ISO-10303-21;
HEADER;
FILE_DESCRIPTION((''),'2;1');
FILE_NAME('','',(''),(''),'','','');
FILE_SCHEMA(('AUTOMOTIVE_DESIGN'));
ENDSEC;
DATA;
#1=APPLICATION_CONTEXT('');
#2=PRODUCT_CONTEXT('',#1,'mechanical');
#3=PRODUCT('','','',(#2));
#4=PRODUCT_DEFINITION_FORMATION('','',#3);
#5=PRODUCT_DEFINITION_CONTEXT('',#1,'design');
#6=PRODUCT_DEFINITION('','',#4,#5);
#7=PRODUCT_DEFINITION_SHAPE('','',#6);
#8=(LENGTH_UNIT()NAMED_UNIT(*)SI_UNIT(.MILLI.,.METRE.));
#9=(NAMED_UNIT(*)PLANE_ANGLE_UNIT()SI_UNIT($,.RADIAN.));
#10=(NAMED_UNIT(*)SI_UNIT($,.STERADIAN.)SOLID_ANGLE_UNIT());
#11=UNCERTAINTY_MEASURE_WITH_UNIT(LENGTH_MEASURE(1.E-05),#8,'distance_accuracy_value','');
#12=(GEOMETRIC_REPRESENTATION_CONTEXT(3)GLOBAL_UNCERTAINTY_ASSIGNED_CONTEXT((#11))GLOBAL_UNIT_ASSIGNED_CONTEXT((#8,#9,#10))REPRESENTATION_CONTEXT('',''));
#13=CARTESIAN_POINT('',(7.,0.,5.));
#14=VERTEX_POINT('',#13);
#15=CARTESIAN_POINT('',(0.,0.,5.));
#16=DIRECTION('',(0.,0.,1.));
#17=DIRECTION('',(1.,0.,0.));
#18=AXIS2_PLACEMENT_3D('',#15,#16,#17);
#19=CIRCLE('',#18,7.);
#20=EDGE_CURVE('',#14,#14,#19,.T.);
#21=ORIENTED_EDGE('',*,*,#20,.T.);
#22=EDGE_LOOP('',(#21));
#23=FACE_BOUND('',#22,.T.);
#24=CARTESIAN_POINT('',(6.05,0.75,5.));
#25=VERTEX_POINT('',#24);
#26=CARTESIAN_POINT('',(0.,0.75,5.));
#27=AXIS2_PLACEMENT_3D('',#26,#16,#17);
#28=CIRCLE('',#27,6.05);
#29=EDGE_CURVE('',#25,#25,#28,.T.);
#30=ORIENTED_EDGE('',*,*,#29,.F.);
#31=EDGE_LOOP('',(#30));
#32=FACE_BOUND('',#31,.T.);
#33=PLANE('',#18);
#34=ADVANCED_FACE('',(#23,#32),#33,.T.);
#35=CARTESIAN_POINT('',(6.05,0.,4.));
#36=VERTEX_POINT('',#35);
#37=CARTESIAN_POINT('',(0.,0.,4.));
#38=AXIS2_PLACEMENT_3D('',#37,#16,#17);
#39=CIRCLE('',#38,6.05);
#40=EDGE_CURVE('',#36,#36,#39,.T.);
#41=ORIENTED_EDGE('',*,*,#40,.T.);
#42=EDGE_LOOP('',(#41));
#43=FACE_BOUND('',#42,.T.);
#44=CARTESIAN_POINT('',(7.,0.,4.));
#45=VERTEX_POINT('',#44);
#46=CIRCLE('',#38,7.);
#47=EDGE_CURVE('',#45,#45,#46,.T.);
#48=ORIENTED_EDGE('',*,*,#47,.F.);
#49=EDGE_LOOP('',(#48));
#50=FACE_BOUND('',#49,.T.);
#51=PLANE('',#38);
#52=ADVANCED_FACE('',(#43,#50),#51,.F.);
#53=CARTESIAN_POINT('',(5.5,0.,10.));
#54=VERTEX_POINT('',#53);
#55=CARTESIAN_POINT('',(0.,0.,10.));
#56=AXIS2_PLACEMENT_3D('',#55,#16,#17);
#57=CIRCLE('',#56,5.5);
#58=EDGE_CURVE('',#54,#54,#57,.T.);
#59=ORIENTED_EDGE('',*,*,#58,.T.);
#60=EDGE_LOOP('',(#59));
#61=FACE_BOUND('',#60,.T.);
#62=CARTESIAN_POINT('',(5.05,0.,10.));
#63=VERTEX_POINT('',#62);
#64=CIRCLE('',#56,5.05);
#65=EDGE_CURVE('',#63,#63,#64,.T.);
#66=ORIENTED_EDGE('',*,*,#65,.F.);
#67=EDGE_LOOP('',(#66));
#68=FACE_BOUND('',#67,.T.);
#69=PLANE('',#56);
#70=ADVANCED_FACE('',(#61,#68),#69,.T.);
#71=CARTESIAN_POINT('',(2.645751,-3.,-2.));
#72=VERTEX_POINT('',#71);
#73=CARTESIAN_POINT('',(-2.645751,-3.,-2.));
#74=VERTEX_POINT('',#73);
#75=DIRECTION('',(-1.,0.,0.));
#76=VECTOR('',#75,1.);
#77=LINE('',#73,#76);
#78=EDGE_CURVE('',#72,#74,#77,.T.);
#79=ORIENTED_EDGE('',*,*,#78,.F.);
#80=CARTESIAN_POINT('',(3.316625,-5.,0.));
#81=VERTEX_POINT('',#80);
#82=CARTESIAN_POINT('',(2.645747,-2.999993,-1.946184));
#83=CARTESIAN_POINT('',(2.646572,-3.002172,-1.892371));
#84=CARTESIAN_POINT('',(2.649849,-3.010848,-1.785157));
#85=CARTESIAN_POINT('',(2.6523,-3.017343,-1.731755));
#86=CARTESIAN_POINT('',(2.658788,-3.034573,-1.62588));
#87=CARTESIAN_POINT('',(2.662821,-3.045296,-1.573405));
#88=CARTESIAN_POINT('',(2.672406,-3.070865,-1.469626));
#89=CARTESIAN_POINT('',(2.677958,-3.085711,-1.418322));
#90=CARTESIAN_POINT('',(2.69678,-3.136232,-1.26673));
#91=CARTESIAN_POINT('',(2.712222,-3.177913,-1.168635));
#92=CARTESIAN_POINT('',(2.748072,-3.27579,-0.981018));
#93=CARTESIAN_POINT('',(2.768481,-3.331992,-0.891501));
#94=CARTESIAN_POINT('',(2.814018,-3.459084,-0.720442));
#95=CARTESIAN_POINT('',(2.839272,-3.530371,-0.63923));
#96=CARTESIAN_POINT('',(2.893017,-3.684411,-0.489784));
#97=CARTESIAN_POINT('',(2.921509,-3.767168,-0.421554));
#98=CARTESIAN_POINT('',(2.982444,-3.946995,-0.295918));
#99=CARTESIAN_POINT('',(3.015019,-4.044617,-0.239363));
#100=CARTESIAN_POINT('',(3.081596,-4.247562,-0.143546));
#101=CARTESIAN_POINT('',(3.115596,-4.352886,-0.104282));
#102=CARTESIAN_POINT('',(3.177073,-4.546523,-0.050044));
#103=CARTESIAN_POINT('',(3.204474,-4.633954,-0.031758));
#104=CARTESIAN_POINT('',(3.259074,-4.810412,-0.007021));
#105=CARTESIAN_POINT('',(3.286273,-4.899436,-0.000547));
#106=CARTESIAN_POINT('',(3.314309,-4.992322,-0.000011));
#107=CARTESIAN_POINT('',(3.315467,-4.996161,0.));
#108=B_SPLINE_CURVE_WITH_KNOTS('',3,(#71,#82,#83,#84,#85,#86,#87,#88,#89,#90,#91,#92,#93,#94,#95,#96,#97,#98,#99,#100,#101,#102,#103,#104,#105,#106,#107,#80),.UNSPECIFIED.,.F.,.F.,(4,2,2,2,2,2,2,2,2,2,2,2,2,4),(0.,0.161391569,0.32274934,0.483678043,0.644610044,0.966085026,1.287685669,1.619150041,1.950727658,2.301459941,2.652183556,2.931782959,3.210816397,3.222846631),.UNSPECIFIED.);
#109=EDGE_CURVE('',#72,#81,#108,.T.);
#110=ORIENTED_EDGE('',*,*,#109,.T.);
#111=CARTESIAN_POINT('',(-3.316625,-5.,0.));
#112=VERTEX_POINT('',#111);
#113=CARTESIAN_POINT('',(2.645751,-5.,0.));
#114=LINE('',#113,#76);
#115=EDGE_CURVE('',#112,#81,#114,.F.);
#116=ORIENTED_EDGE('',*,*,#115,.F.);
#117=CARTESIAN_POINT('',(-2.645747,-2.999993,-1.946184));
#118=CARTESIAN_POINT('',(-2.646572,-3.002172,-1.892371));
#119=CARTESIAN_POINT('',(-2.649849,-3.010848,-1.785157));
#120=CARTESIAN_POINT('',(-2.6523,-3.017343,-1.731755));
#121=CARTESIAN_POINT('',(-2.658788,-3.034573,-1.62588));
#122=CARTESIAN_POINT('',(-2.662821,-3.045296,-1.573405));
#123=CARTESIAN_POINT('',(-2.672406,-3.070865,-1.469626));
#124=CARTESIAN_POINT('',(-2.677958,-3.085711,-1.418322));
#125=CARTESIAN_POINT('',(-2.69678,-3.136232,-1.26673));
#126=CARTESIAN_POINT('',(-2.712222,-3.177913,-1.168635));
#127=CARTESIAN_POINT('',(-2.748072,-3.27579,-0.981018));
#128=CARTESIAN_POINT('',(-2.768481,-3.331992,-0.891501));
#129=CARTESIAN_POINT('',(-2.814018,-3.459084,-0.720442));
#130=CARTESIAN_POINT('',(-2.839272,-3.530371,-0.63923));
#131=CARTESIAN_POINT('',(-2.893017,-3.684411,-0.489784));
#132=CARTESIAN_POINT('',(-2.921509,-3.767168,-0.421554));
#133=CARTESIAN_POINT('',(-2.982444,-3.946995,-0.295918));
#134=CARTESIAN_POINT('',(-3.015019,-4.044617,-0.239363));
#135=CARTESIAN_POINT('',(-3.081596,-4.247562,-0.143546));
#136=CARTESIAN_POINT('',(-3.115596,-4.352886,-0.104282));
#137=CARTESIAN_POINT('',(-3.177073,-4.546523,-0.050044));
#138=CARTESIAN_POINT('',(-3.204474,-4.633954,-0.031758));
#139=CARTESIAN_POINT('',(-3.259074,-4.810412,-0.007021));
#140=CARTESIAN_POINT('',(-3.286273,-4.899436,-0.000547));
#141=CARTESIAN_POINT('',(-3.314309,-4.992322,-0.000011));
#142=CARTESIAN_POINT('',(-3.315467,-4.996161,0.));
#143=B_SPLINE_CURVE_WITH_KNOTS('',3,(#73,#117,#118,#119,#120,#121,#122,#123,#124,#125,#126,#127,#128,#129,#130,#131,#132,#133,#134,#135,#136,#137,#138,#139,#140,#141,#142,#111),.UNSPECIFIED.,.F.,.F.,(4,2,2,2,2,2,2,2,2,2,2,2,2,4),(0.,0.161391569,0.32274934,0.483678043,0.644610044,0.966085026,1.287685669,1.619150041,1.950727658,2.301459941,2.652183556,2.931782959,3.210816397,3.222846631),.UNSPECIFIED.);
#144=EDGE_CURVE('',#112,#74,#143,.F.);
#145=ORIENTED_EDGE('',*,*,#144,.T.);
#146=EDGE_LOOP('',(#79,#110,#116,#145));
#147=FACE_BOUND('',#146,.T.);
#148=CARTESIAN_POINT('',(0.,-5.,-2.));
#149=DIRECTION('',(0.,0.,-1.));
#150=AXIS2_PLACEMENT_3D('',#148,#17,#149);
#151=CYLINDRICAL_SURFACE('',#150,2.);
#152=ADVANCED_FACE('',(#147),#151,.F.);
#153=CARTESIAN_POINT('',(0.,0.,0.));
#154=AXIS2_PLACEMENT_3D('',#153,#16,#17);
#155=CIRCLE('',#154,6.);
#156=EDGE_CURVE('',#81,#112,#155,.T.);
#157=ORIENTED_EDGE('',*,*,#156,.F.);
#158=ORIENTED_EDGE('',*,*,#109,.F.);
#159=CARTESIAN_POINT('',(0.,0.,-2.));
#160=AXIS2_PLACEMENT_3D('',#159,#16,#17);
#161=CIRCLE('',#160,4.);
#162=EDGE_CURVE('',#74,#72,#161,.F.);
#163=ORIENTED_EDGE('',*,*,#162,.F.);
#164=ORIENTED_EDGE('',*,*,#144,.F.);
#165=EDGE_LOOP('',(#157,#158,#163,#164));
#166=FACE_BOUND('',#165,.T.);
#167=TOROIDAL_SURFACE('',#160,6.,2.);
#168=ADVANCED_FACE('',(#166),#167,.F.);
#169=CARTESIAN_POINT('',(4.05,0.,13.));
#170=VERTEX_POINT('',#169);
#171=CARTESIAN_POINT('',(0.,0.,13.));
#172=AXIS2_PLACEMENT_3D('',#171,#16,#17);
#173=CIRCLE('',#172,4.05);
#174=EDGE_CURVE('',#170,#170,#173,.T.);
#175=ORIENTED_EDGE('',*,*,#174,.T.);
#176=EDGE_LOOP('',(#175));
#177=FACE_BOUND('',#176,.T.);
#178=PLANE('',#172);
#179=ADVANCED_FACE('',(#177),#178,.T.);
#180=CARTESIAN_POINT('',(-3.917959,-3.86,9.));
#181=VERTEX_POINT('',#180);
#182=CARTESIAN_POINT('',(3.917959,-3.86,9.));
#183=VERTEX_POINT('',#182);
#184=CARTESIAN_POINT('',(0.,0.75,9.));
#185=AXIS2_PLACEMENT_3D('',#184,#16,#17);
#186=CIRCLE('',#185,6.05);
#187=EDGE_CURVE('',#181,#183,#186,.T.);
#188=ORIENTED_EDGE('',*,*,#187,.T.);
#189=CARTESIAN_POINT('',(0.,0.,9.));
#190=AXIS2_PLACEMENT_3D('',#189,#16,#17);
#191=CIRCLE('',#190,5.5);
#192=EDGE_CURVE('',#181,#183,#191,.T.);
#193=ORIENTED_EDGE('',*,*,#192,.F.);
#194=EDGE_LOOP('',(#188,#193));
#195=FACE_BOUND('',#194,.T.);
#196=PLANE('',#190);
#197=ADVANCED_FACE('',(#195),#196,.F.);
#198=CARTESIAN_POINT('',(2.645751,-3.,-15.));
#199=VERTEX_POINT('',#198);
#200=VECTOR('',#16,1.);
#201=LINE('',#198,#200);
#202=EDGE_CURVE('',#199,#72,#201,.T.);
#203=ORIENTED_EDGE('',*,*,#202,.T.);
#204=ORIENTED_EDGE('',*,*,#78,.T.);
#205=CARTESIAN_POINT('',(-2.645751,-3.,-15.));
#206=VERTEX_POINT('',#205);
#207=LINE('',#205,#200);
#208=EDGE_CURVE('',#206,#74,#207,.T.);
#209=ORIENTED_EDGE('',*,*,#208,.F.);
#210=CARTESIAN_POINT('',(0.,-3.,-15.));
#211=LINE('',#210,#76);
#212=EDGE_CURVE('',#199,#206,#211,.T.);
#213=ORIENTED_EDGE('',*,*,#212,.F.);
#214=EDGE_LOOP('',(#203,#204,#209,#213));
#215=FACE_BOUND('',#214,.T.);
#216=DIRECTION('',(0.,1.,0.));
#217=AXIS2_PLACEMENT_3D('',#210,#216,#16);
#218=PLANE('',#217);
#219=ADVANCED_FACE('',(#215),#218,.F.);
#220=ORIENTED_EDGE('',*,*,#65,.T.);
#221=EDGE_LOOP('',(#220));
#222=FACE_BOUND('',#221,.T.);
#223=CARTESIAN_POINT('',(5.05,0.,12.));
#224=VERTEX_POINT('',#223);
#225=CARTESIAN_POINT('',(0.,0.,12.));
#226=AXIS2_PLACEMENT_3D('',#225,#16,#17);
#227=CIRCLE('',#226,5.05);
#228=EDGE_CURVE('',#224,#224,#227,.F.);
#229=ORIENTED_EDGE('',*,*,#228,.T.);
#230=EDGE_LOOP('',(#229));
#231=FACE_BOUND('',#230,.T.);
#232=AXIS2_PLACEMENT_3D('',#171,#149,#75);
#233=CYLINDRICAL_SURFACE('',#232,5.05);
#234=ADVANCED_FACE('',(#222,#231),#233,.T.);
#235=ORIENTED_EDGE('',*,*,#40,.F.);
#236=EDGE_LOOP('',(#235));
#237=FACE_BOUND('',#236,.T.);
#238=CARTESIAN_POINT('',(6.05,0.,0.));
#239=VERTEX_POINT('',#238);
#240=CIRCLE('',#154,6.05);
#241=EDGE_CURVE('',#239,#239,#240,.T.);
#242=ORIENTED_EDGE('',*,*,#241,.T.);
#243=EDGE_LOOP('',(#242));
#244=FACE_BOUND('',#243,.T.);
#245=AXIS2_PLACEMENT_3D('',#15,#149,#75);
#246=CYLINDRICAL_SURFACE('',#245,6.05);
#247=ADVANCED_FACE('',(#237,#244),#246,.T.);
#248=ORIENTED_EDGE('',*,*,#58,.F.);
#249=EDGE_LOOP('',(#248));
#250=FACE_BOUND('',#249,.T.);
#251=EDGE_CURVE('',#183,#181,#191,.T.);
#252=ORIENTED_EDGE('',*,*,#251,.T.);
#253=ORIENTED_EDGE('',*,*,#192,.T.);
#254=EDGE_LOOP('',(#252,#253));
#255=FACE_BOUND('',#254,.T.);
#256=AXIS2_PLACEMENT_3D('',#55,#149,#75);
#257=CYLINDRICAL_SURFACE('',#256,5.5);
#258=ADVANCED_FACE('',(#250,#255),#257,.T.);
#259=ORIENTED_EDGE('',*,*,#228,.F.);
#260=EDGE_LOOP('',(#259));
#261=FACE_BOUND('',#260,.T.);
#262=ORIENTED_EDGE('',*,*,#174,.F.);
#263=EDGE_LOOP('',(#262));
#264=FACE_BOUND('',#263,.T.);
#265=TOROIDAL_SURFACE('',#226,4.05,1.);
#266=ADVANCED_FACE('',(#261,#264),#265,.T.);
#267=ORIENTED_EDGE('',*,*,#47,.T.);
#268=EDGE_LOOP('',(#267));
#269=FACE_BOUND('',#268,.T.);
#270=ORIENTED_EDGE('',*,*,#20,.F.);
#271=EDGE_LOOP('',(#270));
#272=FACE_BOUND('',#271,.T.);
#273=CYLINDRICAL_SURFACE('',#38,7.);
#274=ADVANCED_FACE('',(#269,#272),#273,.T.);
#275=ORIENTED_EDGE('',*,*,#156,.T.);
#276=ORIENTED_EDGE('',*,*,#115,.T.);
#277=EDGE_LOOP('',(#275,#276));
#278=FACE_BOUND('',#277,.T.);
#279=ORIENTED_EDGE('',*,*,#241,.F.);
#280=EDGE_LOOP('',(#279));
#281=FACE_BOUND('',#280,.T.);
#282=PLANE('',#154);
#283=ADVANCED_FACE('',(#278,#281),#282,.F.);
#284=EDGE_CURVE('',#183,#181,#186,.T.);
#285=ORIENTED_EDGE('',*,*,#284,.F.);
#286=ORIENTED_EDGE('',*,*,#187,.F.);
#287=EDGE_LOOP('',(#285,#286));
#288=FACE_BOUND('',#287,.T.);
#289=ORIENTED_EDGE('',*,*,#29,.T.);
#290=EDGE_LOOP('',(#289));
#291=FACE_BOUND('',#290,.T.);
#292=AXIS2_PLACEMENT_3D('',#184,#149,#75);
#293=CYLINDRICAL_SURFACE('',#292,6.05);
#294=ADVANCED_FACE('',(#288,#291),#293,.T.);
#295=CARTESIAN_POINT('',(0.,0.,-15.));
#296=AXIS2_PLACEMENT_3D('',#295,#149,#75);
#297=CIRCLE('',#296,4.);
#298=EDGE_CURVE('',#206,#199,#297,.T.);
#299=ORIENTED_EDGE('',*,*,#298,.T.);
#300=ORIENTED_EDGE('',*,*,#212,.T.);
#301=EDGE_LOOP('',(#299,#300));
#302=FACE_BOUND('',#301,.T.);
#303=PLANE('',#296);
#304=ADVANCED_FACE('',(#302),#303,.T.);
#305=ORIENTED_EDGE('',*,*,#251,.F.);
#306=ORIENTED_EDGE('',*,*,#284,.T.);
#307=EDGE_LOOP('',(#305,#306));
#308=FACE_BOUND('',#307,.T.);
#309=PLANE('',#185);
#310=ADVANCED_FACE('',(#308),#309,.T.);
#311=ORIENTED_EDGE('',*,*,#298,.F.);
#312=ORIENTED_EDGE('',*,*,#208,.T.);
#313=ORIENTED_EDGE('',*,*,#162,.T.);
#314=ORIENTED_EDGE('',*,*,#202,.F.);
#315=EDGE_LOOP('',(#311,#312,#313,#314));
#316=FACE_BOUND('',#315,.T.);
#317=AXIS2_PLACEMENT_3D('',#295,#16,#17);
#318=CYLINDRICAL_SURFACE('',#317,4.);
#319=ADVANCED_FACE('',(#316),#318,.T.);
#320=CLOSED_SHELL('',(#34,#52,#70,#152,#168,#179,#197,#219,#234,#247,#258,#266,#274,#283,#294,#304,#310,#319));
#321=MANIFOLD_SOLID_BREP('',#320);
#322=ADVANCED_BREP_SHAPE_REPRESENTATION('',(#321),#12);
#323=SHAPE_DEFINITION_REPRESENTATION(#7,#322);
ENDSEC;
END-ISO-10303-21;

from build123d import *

# Parameters (mm, degrees)
SKETCH_1_R      = 6.05
EXTRUDE_1_DEPTH = 5
SKETCH_7_R      = 7
EXTRUDE_6_DEPTH = 1
SKETCH_2_R      = 6.05
EXTRUDE_2_DEPTH = 4
EXTRUDE_3_DEPTH = 15
FILLET_1_R      = 2
SKETCH_5_R      = 5.5
EXTRUDE_4_DEPTH = 1
SKETCH_6_R      = 5.05
EXTRUDE_5_DEPTH = 3
FILLET_2_R      = 1


with BuildPart() as part:
    # 草图1 → 凸台-拉伸1 (new body)
    with BuildSketch(Plane.XY):
        Circle(SKETCH_1_R)
    extrude(amount=EXTRUDE_1_DEPTH)

    # 草图7 → 凸台-拉伸6 (add)
    with BuildSketch(Plane.XY.offset(5)):
        Circle(SKETCH_7_R)
    extrude(amount=-EXTRUDE_6_DEPTH)

    # 草图2 → 凸台-拉伸2 (add)
    with BuildSketch(Plane.XY.offset(5)):
        with Locations((0, 0.75)):
            Circle(SKETCH_2_R)
    extrude(amount=EXTRUDE_2_DEPTH)

    # 草图4 → 凸台-拉伸3 (add)
    with BuildSketch(Plane(origin=(0, 0, 0), x_dir=(-1, 0, 0), z_dir=(0, 0, -1))):
        with BuildLine():
            ThreePointArc((4, 0), (-1.645751311, 3.645751311), (-2.645751311, -3))
            Line((-2.645751311, -3), (2.645751311, -3))
            ThreePointArc((2.645751311, -3), (3.645751311, -1.645751311), (4, 0))
        make_face()
    extrude(amount=EXTRUDE_3_DEPTH)

    # 圆角1
    fillet_1_edges = [part.edges().sort_by_distance(p)[0] for p in [
        (0, -3, 0),
        (0, 4, 0),
    ]]
    fillet(fillet_1_edges, radius=FILLET_1_R)

    # 草图5 → 凸台-拉伸4 (add)
    with BuildSketch(Plane.XY.offset(9)):
        Circle(SKETCH_5_R)
    extrude(amount=EXTRUDE_4_DEPTH)

    # 草图6 → 凸台-拉伸5 (add)
    with BuildSketch(Plane.XY.offset(10)):
        Circle(SKETCH_6_R)
    extrude(amount=EXTRUDE_5_DEPTH)

    # 圆角2
    fillet_2_edges = [part.edges().sort_by_distance(p)[0] for p in [
        (-5.05, 0, 13),
    ]]
    fillet(fillet_2_edges, radius=FILLET_2_R)


solid = part.part
